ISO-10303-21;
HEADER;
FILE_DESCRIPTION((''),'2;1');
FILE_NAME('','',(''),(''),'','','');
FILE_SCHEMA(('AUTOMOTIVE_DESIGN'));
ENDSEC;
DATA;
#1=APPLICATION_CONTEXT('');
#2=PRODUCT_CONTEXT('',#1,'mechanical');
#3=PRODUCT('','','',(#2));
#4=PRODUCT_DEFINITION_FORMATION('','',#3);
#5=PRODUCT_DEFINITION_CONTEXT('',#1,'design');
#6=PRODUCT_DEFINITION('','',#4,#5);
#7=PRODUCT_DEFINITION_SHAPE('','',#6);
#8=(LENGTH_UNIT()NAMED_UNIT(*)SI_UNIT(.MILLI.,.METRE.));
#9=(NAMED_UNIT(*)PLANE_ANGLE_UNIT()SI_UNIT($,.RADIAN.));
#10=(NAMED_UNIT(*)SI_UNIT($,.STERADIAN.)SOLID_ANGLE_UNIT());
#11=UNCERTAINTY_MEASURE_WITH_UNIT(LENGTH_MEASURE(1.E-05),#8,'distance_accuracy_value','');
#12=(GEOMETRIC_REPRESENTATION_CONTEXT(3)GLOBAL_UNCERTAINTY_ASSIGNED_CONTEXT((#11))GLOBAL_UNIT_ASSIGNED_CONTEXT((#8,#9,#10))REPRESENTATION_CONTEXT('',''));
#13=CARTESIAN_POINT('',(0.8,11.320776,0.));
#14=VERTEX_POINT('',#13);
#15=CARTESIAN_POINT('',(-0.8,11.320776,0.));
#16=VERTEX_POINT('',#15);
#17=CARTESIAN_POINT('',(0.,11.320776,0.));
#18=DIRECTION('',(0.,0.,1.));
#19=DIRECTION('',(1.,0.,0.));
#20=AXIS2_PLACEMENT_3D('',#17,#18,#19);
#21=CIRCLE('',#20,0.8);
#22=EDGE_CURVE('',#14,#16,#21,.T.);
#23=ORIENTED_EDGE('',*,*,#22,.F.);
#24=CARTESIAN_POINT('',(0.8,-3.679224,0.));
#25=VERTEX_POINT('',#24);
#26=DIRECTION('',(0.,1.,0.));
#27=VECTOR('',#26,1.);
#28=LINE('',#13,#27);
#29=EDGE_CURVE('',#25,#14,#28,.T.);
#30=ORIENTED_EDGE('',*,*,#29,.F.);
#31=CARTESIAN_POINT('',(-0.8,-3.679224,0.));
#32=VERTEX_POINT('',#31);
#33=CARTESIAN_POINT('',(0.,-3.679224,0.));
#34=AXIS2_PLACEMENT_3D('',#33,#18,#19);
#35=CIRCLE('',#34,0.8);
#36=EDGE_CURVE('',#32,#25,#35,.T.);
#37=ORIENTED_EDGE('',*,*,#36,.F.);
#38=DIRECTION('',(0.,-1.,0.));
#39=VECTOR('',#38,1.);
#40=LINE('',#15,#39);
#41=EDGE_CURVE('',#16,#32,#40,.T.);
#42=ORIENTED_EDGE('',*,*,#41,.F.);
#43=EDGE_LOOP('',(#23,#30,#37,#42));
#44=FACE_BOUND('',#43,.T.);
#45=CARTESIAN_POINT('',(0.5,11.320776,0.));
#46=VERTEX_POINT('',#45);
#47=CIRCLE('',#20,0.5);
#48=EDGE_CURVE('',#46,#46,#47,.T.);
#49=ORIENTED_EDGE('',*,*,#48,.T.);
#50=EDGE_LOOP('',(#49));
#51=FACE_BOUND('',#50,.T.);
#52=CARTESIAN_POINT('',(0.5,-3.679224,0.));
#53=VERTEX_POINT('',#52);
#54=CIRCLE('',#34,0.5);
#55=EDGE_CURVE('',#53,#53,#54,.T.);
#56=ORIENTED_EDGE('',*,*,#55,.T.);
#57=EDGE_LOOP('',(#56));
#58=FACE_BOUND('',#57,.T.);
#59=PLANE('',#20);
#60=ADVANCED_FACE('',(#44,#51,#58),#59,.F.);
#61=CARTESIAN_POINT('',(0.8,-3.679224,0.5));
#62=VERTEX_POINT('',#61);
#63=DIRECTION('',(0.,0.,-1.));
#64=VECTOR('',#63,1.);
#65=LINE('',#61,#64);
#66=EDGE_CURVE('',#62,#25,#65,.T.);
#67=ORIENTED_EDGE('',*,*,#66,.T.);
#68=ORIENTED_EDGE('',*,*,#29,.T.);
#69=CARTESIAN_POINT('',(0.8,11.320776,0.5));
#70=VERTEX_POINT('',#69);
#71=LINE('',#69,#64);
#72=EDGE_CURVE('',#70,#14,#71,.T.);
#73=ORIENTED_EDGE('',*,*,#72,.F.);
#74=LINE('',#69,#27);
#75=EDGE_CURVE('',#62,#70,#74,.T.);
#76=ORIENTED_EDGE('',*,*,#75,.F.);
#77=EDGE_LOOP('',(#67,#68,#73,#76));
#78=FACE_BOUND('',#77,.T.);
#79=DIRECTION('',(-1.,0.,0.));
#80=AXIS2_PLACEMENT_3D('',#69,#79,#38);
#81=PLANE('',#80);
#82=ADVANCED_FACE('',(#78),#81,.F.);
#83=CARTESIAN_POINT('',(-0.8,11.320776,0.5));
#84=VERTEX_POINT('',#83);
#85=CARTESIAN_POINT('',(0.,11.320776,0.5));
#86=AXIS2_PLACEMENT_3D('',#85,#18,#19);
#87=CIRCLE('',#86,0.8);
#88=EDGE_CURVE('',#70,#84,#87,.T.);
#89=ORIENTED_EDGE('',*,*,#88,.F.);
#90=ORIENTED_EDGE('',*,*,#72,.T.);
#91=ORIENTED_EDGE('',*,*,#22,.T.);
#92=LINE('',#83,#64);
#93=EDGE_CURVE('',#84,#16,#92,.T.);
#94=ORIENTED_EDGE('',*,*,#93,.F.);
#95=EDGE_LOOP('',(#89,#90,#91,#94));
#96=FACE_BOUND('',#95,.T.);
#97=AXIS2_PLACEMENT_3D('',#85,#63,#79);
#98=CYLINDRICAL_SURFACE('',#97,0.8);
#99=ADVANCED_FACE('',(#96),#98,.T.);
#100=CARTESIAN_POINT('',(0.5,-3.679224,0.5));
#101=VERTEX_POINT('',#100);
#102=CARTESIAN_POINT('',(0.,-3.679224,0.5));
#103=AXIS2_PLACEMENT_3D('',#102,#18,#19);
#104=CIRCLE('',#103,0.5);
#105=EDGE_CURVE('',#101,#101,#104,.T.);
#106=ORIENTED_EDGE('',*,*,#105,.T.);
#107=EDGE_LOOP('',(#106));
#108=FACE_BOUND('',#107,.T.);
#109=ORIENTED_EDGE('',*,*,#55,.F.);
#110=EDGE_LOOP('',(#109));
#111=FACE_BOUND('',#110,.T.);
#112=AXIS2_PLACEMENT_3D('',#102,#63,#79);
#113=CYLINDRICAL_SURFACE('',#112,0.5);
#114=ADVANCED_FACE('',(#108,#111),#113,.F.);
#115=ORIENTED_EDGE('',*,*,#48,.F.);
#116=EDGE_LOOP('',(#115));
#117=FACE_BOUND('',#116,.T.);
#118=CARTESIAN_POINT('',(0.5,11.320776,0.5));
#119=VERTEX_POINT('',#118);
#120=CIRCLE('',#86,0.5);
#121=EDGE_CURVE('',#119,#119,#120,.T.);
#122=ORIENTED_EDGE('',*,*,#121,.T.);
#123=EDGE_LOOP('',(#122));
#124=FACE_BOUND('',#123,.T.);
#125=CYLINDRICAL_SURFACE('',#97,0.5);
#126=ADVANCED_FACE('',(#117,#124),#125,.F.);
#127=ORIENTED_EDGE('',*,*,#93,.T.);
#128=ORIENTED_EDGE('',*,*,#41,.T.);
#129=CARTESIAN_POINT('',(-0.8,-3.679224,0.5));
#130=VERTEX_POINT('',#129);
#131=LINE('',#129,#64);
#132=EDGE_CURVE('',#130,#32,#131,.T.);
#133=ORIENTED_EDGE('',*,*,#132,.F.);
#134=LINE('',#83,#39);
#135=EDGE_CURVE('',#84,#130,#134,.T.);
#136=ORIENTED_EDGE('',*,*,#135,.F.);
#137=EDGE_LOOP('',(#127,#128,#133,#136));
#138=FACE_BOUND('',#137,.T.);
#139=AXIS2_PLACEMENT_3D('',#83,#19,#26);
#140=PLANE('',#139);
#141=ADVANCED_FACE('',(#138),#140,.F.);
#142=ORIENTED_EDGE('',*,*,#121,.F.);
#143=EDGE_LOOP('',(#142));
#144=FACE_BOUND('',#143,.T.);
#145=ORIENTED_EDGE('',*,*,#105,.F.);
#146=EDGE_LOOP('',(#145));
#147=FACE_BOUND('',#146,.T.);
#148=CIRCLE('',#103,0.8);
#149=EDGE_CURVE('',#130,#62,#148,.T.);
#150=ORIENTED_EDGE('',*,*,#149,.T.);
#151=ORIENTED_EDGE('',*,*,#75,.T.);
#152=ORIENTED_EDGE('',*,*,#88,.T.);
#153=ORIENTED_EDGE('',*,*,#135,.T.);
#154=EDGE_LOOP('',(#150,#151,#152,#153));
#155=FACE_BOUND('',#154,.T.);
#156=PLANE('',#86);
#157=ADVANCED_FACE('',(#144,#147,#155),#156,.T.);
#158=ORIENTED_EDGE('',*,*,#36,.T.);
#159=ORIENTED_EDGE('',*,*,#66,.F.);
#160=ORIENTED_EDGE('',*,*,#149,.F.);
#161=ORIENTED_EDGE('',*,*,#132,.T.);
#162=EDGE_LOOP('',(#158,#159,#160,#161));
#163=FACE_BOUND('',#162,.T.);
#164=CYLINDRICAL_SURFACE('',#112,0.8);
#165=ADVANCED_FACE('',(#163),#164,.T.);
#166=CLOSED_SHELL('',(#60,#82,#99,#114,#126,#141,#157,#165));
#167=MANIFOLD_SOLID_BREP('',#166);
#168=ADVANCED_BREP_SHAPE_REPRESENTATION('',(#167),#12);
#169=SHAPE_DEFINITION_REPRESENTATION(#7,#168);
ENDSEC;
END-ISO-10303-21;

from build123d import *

# Parameters (mm, degrees)
SKETCH_1_R      = 0.5
EXTRUDE_1_DEPTH = 0.5


with BuildPart() as part:
    # 草圖1 → 填料-伸長1 (new body)
    with BuildSketch(Plane.XY):
        with BuildLine():
            Line((0.8, 11.320776031), (0.8, -3.679223969))
            ThreePointArc((0.8, -3.679223969), (0, -4.479223969), (-0.8, -3.679223969))
            Line((-0.8, -3.679223969), (-0.8, 11.320776031))
            ThreePointArc((-0.8, 11.320776031), (0, 12.120776031), (0.8, 11.320776031))
        make_face()
        with Locations((0, 11.320776031)):
            Circle(SKETCH_1_R, mode=Mode.SUBTRACT)
        with Locations((0, -3.679223969)):
            Circle(SKETCH_1_R, mode=Mode.SUBTRACT)
    extrude(amount=EXTRUDE_1_DEPTH)


solid = part.part
